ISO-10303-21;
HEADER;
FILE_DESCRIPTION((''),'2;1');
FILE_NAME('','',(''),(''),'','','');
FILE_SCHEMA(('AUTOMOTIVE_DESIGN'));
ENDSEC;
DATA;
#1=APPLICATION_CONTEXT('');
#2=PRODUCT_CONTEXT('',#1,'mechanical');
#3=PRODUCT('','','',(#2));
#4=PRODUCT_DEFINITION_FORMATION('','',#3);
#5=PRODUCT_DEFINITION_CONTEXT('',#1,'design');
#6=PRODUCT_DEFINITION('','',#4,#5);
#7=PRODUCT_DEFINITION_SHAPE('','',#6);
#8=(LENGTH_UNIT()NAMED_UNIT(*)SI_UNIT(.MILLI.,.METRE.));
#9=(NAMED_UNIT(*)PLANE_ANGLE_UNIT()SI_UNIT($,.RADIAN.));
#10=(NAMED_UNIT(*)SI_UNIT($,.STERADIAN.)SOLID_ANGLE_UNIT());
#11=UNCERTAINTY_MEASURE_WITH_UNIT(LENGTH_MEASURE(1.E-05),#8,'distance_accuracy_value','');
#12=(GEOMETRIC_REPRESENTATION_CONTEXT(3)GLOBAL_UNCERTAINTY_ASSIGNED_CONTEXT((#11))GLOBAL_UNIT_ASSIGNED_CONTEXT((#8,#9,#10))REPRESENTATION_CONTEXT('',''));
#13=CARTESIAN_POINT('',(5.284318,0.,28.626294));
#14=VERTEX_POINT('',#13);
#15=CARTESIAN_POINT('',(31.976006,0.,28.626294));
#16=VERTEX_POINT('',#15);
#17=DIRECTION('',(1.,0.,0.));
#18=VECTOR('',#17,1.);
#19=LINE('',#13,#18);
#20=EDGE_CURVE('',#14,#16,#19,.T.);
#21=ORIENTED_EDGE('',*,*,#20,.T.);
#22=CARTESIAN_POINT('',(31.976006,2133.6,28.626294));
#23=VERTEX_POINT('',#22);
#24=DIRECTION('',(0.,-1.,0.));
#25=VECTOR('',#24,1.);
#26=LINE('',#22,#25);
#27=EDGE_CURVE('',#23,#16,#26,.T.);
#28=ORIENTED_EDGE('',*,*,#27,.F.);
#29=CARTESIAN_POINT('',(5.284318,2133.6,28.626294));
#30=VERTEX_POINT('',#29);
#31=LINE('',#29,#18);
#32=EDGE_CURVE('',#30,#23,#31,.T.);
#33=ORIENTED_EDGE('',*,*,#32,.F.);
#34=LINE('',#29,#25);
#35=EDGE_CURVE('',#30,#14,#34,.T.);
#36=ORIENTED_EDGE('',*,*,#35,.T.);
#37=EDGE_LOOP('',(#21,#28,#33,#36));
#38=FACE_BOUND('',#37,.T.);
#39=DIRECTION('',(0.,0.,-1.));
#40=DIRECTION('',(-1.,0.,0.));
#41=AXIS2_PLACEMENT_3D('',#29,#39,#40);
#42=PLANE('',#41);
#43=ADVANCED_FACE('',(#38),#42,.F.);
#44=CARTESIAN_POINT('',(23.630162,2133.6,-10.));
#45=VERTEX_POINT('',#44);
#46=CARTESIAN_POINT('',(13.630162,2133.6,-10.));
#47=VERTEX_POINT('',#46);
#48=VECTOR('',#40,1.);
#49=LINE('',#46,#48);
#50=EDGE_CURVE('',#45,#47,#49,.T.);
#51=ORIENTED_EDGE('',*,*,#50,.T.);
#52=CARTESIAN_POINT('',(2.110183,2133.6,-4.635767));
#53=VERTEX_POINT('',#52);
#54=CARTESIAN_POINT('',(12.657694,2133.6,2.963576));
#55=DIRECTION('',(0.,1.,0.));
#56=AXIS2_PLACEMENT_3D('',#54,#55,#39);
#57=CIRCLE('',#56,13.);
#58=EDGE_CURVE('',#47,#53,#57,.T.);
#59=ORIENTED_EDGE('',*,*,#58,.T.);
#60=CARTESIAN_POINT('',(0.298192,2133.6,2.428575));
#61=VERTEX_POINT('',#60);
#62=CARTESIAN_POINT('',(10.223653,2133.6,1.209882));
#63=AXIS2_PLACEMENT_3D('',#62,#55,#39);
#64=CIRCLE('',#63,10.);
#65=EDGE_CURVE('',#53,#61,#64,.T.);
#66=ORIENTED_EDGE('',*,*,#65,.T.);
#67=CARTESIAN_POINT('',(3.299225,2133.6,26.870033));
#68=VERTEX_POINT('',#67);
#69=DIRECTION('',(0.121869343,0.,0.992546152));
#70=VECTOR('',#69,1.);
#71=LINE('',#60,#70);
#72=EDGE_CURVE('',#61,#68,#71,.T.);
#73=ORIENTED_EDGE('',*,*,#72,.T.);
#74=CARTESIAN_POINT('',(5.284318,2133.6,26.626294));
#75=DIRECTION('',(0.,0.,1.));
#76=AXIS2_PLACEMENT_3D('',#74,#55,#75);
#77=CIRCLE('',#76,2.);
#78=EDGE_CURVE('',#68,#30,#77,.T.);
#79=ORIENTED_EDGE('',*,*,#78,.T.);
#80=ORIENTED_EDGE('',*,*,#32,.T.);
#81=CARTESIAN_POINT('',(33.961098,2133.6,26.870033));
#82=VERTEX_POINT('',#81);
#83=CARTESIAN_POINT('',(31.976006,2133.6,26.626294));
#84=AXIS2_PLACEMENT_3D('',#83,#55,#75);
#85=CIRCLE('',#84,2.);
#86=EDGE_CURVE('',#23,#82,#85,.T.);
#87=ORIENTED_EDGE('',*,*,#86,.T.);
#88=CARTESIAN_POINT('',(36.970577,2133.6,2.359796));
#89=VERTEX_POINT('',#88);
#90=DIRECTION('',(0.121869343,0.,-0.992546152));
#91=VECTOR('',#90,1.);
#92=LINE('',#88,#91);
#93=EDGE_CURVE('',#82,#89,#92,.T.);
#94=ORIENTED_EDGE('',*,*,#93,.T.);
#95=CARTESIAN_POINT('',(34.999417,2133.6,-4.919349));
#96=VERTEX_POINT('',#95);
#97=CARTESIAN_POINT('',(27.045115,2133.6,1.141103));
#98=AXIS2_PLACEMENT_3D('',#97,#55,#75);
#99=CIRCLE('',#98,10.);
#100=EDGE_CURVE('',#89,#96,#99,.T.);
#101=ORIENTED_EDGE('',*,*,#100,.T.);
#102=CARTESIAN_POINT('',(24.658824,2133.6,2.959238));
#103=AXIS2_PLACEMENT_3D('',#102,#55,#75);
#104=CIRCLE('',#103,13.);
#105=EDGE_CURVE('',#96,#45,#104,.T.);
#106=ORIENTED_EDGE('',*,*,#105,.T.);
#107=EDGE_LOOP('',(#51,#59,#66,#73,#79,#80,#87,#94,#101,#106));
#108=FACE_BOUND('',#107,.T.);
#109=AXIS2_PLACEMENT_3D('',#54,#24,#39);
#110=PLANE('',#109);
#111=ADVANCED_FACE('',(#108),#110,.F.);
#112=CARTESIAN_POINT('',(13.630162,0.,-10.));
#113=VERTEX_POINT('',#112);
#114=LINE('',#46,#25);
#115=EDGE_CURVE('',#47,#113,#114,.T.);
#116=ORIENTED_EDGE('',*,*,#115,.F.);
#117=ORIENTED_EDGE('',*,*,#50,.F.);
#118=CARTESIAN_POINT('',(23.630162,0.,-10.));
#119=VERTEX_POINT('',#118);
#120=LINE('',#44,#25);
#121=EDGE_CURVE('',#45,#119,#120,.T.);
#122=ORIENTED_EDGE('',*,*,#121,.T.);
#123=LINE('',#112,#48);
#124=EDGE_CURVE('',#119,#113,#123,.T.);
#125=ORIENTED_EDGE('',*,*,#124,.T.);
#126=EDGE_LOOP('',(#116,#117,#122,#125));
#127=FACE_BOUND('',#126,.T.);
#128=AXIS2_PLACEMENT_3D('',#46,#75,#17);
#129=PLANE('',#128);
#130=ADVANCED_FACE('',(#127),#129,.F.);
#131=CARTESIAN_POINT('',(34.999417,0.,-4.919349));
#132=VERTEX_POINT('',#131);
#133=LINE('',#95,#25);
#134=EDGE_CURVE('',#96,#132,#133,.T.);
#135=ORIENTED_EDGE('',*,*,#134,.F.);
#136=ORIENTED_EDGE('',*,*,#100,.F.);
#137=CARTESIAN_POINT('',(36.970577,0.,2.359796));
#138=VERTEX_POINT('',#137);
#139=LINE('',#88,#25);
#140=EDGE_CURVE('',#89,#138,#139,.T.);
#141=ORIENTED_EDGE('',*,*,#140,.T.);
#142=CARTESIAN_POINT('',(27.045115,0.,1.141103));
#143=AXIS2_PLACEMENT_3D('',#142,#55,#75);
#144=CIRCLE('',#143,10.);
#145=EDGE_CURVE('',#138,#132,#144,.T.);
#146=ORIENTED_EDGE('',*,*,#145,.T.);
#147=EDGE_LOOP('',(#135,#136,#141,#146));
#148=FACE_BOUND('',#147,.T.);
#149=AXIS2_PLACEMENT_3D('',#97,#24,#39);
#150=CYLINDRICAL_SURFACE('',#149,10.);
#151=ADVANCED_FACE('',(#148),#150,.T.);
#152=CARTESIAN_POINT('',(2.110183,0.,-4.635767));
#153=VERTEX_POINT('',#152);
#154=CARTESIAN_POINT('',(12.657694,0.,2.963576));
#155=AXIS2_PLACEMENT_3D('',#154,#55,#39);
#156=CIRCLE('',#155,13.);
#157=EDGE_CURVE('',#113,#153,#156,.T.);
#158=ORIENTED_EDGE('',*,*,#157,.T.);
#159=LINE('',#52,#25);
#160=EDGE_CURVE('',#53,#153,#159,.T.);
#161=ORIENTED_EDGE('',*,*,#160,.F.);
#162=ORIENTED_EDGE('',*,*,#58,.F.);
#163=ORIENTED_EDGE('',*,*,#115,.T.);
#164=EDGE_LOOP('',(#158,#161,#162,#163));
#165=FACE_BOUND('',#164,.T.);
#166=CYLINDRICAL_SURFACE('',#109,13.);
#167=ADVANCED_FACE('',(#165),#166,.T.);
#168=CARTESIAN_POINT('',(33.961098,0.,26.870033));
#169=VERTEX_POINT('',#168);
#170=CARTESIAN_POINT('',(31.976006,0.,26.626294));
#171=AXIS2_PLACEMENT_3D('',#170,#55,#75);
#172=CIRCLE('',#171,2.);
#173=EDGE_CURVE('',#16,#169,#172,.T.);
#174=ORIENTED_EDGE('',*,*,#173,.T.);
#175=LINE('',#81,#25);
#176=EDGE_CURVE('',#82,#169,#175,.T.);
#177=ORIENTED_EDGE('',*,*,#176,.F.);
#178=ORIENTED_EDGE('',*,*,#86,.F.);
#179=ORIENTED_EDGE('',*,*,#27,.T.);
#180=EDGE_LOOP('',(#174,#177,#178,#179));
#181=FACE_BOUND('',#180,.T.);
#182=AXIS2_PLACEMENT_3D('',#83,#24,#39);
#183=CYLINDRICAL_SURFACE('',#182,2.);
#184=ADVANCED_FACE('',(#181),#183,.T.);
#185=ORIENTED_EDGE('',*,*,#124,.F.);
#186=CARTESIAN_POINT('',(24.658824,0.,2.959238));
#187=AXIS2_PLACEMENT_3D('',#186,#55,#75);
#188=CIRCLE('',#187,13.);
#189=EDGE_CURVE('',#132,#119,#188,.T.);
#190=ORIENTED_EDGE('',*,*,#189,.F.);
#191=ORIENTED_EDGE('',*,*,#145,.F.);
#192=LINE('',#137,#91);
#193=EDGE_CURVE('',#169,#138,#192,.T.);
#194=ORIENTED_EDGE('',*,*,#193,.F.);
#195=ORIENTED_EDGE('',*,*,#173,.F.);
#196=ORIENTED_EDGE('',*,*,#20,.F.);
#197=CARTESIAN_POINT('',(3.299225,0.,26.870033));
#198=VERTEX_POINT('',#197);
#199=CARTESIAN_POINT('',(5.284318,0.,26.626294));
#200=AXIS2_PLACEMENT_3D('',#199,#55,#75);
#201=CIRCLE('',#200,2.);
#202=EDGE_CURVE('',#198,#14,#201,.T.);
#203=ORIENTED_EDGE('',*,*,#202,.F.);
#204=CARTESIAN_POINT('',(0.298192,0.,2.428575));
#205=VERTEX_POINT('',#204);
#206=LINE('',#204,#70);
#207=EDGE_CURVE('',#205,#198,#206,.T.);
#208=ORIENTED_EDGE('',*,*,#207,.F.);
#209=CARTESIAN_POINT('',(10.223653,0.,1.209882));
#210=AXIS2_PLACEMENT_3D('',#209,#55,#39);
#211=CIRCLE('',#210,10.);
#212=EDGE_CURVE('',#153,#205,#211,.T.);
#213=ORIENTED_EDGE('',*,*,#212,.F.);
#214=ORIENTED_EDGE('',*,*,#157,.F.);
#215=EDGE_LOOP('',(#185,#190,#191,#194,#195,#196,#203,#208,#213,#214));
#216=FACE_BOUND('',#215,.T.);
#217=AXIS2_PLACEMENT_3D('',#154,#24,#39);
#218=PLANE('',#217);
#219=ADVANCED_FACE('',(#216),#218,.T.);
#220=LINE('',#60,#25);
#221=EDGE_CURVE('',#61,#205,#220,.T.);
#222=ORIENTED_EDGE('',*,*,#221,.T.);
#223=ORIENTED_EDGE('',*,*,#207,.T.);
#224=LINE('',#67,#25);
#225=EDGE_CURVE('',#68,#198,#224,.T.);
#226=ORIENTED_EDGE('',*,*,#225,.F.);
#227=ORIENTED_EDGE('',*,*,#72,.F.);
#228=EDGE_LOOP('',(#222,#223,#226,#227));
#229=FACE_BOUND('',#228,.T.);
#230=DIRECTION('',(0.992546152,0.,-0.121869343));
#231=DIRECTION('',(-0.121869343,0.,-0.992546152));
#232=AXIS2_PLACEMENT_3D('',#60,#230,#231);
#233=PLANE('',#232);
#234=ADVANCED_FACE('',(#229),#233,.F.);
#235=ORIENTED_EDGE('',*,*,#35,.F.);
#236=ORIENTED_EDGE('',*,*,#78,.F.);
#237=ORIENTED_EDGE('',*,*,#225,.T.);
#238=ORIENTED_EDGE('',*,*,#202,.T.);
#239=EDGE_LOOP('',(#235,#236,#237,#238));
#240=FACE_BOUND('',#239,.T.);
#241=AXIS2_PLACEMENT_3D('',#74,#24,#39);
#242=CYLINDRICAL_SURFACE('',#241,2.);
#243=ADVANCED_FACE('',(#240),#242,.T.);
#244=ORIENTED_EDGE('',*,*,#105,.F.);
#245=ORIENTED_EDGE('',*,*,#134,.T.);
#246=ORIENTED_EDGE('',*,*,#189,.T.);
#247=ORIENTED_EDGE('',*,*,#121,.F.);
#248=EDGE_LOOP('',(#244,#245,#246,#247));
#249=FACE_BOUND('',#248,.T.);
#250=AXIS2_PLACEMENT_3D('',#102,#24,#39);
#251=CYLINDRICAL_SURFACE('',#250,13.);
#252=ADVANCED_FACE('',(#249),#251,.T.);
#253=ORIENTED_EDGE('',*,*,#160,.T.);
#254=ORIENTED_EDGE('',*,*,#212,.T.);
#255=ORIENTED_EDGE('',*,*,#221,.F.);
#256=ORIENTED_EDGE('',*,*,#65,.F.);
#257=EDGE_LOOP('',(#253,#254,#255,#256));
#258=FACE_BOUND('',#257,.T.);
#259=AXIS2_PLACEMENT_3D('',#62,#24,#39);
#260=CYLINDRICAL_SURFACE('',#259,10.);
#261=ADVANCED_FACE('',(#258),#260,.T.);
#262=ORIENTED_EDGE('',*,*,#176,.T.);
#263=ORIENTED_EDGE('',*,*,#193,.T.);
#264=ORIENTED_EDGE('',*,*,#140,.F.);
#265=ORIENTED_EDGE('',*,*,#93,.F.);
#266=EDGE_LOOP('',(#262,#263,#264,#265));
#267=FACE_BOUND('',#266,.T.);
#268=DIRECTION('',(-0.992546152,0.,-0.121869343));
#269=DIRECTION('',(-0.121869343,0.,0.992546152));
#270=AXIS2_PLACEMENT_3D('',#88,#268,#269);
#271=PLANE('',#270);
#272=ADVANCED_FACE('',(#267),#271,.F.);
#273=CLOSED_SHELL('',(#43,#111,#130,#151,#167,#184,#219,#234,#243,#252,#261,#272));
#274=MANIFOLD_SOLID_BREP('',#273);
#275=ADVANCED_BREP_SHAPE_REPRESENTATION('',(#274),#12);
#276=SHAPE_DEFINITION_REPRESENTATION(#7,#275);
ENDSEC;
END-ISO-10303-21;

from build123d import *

# Parameters (mm, degrees)
BOSS_EXTRUDE1_DEPTH = 2133.6


with BuildPart() as part:
    # Sketch1 → Boss-Extrude1 (new body)
    with BuildSketch(Plane(origin=(0, 0, 0), x_dir=(1, 0, 0), z_dir=(0, 1, 0))):
        with BuildLine():
            Line((13.630161568, 10), (23.630161568, 10))
            ThreePointArc((23.630161568, 10), (29.962715696, 8.909575546), (34.999417241, 4.919349386))
            ThreePointArc((34.999417241, 4.919349386), (36.697471107, 1.472711464), (36.970576624, -2.359795976))
            Line((36.970576624, -2.359795976), (33.961097926, -26.870033055))
            ThreePointArc((33.961097926, -26.870033055), (33.301245719, -28.12420581), (31.976005623, -28.626294369))
            Line((31.976005623, -28.626294369), (5.284317513, -28.626294369))
            ThreePointArc((5.284317513, -28.626294369), (3.959077417, -28.12420581), (3.29922521, -26.870033055))
            Line((3.29922521, -26.870033055), (0.298191514, -2.428574989))
            ThreePointArc((0.298191514, -2.428574989), (0.53721959, 1.274672171), (2.110183266, 4.635767116))
            ThreePointArc((2.110183266, 4.635767116), (7.170061398, 8.821409583), (13.630161568, 10))
        make_face()
    extrude(amount=BOSS_EXTRUDE1_DEPTH)


solid = part.part
